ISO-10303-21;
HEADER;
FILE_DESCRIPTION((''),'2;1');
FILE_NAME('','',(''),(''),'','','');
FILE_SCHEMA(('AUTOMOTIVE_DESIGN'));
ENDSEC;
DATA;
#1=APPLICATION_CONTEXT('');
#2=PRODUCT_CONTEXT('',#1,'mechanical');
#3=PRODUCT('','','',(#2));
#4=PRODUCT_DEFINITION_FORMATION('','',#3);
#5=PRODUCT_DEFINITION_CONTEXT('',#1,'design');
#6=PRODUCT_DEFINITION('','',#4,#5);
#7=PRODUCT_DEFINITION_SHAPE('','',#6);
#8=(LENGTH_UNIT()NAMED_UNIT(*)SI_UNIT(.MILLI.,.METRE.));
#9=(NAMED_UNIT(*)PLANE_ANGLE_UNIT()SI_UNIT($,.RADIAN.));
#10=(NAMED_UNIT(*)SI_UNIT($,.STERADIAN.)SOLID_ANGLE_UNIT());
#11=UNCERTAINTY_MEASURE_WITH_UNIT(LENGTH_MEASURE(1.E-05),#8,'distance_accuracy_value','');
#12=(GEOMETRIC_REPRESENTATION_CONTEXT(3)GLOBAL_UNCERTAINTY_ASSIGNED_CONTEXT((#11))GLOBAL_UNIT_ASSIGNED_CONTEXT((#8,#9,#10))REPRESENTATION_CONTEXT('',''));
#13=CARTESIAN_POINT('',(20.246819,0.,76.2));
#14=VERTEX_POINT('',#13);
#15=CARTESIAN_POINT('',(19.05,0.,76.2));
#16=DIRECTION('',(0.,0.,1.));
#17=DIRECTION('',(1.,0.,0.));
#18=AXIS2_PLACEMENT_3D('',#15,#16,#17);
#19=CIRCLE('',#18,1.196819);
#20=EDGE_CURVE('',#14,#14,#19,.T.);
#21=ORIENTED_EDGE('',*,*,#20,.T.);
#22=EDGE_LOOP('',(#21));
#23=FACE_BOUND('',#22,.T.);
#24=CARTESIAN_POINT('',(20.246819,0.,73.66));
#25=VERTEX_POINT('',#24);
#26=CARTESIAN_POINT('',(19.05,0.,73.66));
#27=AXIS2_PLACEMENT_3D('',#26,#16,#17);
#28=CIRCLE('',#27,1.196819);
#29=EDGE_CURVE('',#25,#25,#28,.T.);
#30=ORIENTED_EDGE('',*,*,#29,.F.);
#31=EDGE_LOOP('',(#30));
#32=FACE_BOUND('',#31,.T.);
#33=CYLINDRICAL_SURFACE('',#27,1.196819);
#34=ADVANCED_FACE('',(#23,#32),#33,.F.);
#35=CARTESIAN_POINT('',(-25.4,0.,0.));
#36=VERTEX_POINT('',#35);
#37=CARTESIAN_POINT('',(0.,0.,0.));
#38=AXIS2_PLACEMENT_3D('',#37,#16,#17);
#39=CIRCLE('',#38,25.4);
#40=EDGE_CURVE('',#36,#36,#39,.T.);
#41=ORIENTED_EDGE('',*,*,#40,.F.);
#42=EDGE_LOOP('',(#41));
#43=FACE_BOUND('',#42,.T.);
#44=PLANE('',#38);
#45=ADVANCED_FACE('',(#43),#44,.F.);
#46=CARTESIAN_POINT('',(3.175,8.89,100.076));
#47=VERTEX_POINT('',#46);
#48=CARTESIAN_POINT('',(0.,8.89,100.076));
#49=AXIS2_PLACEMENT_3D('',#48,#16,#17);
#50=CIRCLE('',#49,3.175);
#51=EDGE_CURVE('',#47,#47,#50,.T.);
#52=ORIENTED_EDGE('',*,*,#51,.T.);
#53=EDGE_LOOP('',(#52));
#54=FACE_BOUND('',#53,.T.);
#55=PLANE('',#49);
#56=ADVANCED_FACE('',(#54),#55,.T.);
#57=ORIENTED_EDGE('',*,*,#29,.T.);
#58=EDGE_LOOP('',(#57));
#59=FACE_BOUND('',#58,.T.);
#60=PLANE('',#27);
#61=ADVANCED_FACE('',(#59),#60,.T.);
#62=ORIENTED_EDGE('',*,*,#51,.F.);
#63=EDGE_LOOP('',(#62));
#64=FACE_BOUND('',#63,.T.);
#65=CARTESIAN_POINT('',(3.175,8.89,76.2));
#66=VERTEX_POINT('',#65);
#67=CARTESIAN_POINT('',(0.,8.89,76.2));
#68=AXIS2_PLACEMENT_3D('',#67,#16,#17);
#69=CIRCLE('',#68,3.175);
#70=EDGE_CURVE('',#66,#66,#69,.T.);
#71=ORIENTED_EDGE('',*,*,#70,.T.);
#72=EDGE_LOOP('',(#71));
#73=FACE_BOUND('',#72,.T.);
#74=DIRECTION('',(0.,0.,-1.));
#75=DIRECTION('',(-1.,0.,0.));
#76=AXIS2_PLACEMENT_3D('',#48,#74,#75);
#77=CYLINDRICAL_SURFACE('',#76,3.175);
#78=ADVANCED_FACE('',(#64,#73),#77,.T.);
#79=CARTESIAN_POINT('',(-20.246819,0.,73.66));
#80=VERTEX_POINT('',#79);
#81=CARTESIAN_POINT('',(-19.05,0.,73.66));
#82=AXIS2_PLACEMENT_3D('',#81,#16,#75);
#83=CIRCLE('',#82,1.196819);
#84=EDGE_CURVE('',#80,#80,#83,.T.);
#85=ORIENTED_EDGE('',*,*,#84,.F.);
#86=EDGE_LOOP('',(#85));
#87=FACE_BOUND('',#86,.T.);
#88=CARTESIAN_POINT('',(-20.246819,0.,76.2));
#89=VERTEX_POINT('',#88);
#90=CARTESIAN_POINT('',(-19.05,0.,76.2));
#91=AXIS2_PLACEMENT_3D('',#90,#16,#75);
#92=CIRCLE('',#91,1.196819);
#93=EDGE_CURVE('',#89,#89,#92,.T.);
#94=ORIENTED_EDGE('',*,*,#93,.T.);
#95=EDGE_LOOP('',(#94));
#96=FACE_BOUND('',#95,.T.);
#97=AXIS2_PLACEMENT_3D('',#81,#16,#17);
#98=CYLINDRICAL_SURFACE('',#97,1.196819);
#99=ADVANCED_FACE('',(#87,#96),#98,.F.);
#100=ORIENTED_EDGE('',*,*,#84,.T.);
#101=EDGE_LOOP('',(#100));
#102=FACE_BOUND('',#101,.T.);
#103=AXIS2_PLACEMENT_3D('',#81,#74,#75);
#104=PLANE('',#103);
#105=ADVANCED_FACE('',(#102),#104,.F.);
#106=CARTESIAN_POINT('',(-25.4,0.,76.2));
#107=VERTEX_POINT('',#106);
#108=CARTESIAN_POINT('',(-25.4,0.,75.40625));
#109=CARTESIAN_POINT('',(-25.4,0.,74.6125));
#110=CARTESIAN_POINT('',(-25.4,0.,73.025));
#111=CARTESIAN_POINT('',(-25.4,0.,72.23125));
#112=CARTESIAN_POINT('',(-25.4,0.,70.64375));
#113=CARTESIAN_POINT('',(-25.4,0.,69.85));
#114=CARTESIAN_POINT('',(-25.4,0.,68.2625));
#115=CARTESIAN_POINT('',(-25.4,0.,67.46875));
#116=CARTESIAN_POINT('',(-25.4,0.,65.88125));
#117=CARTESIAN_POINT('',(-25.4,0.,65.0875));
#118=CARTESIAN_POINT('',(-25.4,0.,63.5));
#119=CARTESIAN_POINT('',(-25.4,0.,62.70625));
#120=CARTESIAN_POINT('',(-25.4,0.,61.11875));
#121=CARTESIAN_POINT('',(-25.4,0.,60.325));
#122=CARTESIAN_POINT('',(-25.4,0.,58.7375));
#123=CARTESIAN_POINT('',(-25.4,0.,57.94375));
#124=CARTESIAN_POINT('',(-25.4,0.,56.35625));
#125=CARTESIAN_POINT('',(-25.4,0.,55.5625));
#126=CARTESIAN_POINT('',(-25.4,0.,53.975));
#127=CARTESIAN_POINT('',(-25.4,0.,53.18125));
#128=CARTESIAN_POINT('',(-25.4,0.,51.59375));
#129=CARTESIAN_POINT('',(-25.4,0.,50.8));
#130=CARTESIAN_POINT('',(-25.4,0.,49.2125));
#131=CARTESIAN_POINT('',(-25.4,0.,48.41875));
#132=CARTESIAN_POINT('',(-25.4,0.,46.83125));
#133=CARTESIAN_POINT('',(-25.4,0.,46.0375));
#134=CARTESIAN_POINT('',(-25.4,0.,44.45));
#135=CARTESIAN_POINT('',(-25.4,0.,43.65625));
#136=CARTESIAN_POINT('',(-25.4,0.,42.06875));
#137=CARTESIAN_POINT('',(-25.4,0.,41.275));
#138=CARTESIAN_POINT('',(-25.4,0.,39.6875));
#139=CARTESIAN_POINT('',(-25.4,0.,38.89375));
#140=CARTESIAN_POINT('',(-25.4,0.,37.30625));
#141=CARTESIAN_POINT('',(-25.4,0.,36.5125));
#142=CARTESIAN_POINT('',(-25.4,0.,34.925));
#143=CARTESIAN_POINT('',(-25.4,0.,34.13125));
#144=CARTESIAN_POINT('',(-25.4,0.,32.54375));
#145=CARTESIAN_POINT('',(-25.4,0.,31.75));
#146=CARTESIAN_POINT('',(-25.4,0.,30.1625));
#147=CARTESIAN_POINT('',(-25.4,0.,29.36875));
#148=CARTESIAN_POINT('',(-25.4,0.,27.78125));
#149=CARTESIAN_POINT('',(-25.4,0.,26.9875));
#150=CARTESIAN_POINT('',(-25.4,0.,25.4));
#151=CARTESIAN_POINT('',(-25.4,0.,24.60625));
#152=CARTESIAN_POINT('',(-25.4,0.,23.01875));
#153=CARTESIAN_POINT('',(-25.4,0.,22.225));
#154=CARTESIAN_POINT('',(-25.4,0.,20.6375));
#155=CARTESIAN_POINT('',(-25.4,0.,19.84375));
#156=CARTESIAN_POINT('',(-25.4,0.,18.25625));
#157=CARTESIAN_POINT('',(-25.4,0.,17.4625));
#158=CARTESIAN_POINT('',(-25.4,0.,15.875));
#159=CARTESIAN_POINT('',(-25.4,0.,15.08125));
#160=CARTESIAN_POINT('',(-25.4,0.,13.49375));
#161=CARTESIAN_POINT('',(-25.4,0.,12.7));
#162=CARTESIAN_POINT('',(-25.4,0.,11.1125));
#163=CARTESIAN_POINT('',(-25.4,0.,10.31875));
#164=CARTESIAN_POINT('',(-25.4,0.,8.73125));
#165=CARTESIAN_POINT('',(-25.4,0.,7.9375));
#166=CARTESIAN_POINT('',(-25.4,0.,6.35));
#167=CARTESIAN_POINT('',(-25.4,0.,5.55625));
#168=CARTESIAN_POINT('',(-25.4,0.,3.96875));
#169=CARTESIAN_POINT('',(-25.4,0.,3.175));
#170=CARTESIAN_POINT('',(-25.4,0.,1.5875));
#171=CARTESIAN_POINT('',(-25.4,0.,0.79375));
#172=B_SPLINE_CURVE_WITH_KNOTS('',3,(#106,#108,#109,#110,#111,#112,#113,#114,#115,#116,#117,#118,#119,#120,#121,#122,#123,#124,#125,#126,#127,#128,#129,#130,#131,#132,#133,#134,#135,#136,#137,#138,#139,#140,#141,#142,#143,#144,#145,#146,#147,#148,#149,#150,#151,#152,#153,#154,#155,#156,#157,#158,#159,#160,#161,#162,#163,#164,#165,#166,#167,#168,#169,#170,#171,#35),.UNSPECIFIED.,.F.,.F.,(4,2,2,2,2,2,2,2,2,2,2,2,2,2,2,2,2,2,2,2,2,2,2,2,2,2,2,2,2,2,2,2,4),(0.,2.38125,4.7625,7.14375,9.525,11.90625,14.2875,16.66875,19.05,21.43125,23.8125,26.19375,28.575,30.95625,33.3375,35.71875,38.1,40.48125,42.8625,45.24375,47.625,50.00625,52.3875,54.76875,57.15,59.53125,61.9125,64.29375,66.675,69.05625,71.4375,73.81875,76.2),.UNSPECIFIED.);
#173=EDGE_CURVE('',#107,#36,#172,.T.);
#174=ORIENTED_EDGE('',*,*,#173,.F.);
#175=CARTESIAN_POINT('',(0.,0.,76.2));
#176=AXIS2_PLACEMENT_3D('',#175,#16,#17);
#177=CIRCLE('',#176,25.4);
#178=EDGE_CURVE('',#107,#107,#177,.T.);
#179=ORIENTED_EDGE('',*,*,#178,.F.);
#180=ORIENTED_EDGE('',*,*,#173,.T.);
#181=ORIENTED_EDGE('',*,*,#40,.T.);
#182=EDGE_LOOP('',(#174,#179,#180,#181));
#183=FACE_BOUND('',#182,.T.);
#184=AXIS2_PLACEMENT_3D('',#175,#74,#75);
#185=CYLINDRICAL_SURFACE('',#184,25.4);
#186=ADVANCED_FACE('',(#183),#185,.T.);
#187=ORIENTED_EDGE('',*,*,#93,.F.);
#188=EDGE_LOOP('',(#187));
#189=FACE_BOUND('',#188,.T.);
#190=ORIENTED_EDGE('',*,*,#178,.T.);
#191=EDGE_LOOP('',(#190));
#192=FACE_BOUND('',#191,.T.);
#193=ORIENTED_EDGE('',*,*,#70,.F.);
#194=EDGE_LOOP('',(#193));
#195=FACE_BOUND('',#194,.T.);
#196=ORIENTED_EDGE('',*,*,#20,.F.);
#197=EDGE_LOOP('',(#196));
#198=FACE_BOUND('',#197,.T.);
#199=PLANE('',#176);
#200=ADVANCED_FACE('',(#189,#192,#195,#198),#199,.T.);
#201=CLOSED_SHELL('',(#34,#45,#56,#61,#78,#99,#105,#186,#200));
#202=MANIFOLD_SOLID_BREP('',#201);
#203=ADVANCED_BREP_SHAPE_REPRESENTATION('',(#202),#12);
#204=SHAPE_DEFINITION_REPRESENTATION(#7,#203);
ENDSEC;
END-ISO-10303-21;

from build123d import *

# Parameters (mm, degrees)
SKETCH1_R           = 25.4
BOSS_EXTRUDE1_DEPTH = 76.2
SKETCH2_R           = 3.175
BOSS_EXTRUDE2_DEPTH = 23.876
SKETCH3_R           = 1.19681919
CUT_EXTRUDE1_DEPTH  = 2.54


with BuildPart() as part:
    # Sketch1 → Boss-Extrude1 (new body)
    with BuildSketch(Plane.XY):
        with Locations(Location((0, 0, 0), (0, 0, 180))):
            Circle(SKETCH1_R)
    extrude(amount=BOSS_EXTRUDE1_DEPTH)

    # Sketch2 → Boss-Extrude2 (add)
    with BuildSketch(Plane.XY.offset(76.2)):
        with Locations((0, 8.89)):
            Circle(SKETCH2_R)
    extrude(amount=BOSS_EXTRUDE2_DEPTH)

    # Sketch3 → Cut-Extrude1 (cut)
    with BuildSketch(Plane.XY.offset(76.2)):
        with Locations((19.05, 0)):
            Circle(SKETCH3_R)
        with Locations(Location((-19.05, 0, 0), (0, 0, 180))):
            Circle(SKETCH3_R)
    extrude(amount=-CUT_EXTRUDE1_DEPTH, mode=Mode.SUBTRACT)


solid = part.part
